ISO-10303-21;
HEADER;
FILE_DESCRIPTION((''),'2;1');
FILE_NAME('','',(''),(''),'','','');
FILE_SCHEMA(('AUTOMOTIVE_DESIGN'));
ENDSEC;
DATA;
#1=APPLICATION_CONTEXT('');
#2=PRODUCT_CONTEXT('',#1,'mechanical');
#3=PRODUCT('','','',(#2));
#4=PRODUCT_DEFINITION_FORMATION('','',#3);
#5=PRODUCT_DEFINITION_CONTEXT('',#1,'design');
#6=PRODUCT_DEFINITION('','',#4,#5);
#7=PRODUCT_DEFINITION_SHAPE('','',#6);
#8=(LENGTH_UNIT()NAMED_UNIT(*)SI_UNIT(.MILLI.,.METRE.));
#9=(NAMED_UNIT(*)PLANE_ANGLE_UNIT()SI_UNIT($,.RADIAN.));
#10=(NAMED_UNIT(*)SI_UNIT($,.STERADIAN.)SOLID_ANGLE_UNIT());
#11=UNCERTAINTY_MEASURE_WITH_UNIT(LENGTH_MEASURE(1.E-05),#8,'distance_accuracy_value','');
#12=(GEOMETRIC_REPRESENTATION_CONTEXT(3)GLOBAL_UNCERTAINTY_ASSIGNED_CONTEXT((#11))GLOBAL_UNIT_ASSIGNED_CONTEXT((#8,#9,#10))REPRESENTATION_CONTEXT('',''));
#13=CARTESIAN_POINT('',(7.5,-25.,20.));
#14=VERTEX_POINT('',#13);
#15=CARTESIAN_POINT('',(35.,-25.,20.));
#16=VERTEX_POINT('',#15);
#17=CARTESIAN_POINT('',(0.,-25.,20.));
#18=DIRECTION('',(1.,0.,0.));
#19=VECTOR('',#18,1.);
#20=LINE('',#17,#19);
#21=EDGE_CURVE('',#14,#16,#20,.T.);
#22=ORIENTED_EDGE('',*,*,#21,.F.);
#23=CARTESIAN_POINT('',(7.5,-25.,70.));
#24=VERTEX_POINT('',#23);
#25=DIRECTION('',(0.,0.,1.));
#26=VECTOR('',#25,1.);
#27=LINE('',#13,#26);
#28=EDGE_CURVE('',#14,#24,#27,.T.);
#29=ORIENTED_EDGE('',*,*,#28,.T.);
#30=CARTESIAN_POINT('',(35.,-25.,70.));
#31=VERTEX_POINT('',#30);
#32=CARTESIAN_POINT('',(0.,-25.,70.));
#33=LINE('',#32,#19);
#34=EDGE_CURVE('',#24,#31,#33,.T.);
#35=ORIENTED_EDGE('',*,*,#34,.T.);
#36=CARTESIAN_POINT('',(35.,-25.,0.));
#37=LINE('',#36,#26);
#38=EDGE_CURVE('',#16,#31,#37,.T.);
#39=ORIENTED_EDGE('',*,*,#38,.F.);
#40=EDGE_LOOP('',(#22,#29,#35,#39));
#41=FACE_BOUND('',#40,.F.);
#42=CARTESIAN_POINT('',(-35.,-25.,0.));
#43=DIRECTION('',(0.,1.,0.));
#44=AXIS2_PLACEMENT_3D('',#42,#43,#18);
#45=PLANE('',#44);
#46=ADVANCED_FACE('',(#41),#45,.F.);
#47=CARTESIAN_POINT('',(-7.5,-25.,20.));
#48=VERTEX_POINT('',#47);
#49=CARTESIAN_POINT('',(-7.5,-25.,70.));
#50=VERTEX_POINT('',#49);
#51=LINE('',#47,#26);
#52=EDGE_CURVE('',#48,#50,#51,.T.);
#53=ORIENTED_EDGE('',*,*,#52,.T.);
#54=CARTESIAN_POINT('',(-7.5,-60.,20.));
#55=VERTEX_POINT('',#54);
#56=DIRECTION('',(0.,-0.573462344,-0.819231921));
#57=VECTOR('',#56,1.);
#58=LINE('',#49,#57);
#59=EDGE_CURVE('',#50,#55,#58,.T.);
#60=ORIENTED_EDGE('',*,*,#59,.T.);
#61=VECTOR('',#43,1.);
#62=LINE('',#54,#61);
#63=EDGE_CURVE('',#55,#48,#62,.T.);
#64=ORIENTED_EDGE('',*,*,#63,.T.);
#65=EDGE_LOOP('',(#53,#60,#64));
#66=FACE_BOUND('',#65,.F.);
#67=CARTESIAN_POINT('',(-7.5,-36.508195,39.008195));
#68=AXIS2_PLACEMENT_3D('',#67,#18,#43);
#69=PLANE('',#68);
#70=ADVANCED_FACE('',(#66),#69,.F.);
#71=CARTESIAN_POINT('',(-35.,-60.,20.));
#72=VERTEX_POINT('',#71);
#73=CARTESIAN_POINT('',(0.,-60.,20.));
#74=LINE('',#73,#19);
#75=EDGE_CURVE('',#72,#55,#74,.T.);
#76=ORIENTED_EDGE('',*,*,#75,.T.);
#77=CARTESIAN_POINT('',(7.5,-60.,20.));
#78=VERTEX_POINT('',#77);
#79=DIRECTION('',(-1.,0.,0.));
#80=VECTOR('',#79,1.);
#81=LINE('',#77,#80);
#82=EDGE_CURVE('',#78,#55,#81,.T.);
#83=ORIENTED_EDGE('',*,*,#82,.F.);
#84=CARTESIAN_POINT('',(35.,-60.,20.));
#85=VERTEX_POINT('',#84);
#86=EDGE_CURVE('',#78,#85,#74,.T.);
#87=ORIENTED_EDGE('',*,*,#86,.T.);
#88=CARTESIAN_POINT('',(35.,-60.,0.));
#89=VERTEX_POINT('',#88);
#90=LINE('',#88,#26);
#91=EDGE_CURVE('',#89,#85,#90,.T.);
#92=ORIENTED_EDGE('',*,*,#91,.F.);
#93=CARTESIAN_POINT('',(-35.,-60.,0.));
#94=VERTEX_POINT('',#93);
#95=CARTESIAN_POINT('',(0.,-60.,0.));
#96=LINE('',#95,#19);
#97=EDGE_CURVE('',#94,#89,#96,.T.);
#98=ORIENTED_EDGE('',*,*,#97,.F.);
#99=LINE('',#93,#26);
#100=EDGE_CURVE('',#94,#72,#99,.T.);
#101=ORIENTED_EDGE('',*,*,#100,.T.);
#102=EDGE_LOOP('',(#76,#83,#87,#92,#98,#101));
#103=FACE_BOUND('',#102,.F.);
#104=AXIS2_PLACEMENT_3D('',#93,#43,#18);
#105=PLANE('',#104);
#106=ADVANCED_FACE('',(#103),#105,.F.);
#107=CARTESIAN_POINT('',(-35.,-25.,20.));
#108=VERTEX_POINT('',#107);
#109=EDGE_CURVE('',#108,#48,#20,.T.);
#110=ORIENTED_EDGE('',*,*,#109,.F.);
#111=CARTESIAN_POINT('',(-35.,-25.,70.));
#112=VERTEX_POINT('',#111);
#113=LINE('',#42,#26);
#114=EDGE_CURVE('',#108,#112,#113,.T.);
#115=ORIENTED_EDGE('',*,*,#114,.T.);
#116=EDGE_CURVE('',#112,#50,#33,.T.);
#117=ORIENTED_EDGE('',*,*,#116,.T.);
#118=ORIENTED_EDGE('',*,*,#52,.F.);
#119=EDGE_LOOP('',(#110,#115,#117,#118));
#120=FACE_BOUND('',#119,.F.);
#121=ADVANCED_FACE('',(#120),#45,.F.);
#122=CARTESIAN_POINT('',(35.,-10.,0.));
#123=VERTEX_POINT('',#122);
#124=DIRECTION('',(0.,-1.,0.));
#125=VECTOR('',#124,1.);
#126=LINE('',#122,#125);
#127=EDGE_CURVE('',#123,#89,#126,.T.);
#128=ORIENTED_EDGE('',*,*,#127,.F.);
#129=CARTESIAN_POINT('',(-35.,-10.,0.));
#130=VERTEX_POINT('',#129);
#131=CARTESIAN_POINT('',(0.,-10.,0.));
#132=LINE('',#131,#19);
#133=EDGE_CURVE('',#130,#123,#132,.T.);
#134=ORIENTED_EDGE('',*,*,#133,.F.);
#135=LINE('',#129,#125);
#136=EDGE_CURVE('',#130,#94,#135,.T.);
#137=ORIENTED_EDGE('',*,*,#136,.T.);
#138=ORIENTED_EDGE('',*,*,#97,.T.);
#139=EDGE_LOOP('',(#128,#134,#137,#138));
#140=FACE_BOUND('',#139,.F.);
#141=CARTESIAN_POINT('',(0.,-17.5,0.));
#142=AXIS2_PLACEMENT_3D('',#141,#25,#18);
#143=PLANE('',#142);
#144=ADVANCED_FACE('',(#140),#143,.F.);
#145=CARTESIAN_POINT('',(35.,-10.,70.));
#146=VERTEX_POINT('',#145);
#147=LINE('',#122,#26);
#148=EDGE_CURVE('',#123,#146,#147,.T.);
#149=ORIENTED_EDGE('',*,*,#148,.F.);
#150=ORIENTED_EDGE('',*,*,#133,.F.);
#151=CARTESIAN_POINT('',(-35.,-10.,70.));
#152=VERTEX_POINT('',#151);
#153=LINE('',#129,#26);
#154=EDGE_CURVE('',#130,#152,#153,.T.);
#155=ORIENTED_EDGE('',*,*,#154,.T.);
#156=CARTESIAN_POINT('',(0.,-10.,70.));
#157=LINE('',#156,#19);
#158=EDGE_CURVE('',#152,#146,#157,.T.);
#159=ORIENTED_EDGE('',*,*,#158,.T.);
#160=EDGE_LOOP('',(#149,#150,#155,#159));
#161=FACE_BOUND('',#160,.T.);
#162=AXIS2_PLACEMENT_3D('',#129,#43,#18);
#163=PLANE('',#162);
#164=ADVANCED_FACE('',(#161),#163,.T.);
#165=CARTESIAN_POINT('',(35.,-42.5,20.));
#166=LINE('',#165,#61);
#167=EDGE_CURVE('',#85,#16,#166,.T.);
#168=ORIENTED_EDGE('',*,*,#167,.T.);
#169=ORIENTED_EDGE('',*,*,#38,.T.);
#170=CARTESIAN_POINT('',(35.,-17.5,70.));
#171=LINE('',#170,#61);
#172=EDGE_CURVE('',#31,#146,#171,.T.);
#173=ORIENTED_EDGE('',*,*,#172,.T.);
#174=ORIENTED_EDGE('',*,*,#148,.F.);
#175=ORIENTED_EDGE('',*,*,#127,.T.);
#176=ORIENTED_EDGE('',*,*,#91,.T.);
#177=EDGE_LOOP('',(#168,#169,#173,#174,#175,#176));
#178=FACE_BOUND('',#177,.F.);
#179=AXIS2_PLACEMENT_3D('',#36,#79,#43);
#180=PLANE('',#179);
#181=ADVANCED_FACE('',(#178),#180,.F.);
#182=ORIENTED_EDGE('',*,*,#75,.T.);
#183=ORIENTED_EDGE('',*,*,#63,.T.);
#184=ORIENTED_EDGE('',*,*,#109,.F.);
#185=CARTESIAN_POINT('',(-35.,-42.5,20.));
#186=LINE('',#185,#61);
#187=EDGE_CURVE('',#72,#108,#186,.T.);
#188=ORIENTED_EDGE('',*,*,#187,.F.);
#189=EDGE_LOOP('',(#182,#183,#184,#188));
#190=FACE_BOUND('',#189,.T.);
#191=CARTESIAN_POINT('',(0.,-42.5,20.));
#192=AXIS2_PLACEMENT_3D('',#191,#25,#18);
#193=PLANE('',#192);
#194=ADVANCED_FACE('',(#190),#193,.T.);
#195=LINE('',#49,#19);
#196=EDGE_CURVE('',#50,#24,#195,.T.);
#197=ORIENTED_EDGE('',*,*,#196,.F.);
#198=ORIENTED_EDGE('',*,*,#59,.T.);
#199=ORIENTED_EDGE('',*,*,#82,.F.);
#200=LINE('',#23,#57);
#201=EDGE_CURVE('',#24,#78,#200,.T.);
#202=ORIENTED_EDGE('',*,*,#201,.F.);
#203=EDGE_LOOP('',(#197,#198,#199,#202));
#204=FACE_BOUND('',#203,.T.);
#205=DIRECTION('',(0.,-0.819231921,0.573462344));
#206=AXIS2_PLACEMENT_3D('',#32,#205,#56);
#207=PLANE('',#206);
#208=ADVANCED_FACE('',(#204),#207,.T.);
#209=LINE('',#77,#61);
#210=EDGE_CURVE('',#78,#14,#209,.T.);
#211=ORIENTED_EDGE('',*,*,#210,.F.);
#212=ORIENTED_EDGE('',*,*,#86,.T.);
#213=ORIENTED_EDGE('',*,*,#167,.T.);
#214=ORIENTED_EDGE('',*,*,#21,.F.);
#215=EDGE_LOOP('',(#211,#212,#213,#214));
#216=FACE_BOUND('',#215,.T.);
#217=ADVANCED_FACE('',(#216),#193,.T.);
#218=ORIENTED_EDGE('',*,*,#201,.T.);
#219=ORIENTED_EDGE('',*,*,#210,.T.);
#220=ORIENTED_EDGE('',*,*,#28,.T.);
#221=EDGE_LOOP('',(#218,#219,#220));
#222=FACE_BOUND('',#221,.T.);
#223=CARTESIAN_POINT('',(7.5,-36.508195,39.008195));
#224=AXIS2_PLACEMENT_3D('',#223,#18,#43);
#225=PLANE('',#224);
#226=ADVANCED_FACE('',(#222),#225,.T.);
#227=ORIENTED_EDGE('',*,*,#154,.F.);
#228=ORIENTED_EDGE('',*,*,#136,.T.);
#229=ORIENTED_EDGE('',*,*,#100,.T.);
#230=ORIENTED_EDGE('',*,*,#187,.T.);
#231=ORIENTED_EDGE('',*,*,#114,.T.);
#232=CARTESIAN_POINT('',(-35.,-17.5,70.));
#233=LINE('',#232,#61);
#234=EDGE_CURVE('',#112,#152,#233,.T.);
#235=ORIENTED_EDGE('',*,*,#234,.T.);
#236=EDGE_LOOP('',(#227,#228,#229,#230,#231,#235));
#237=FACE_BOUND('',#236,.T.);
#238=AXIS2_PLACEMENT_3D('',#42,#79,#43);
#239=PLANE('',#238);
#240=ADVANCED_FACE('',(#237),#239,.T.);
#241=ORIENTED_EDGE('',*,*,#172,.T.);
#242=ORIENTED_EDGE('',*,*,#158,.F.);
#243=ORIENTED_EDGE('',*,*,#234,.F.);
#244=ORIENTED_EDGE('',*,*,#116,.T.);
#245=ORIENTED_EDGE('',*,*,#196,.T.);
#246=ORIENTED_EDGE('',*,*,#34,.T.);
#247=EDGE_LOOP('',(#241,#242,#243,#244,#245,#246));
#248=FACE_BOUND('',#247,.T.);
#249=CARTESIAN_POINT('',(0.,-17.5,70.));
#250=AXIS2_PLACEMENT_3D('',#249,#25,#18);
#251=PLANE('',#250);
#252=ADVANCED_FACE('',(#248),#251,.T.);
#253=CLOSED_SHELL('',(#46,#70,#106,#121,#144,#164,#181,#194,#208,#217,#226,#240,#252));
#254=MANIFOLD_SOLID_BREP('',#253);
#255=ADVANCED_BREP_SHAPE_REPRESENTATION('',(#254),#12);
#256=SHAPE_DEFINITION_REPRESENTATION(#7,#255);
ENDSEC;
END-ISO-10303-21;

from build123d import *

# Parameters (mm, degrees)
F0_W     = 70
F0_H     = 35
F1_DEPTH = 20
F0_H_2   = 15
F2_DEPTH = 70
F4_DEPTH = 7.5


with BuildPart() as f1:
    # F0 (on Top) → F1 (new body)
    with BuildSketch(Plane.XY):
        with Locations((0, -42.5)):
            Rectangle(F0_W, F0_H)
    extrude(amount=F1_DEPTH)

    # F0 (on Top) → F2 (join)
    with BuildSketch(Plane.XY):
        with Locations((0, -17.5)):
            Rectangle(F0_W, F0_H_2)
    extrude(amount=F2_DEPTH)

    # F3 (on Right) → F4 (join, symmetric)
    with BuildSketch(Plane.YZ):
        Polygon((-25, 20), (-25, 70), (-60, 20), align=None)
    extrude(amount=F4_DEPTH, both=True)


solid = f1.part
